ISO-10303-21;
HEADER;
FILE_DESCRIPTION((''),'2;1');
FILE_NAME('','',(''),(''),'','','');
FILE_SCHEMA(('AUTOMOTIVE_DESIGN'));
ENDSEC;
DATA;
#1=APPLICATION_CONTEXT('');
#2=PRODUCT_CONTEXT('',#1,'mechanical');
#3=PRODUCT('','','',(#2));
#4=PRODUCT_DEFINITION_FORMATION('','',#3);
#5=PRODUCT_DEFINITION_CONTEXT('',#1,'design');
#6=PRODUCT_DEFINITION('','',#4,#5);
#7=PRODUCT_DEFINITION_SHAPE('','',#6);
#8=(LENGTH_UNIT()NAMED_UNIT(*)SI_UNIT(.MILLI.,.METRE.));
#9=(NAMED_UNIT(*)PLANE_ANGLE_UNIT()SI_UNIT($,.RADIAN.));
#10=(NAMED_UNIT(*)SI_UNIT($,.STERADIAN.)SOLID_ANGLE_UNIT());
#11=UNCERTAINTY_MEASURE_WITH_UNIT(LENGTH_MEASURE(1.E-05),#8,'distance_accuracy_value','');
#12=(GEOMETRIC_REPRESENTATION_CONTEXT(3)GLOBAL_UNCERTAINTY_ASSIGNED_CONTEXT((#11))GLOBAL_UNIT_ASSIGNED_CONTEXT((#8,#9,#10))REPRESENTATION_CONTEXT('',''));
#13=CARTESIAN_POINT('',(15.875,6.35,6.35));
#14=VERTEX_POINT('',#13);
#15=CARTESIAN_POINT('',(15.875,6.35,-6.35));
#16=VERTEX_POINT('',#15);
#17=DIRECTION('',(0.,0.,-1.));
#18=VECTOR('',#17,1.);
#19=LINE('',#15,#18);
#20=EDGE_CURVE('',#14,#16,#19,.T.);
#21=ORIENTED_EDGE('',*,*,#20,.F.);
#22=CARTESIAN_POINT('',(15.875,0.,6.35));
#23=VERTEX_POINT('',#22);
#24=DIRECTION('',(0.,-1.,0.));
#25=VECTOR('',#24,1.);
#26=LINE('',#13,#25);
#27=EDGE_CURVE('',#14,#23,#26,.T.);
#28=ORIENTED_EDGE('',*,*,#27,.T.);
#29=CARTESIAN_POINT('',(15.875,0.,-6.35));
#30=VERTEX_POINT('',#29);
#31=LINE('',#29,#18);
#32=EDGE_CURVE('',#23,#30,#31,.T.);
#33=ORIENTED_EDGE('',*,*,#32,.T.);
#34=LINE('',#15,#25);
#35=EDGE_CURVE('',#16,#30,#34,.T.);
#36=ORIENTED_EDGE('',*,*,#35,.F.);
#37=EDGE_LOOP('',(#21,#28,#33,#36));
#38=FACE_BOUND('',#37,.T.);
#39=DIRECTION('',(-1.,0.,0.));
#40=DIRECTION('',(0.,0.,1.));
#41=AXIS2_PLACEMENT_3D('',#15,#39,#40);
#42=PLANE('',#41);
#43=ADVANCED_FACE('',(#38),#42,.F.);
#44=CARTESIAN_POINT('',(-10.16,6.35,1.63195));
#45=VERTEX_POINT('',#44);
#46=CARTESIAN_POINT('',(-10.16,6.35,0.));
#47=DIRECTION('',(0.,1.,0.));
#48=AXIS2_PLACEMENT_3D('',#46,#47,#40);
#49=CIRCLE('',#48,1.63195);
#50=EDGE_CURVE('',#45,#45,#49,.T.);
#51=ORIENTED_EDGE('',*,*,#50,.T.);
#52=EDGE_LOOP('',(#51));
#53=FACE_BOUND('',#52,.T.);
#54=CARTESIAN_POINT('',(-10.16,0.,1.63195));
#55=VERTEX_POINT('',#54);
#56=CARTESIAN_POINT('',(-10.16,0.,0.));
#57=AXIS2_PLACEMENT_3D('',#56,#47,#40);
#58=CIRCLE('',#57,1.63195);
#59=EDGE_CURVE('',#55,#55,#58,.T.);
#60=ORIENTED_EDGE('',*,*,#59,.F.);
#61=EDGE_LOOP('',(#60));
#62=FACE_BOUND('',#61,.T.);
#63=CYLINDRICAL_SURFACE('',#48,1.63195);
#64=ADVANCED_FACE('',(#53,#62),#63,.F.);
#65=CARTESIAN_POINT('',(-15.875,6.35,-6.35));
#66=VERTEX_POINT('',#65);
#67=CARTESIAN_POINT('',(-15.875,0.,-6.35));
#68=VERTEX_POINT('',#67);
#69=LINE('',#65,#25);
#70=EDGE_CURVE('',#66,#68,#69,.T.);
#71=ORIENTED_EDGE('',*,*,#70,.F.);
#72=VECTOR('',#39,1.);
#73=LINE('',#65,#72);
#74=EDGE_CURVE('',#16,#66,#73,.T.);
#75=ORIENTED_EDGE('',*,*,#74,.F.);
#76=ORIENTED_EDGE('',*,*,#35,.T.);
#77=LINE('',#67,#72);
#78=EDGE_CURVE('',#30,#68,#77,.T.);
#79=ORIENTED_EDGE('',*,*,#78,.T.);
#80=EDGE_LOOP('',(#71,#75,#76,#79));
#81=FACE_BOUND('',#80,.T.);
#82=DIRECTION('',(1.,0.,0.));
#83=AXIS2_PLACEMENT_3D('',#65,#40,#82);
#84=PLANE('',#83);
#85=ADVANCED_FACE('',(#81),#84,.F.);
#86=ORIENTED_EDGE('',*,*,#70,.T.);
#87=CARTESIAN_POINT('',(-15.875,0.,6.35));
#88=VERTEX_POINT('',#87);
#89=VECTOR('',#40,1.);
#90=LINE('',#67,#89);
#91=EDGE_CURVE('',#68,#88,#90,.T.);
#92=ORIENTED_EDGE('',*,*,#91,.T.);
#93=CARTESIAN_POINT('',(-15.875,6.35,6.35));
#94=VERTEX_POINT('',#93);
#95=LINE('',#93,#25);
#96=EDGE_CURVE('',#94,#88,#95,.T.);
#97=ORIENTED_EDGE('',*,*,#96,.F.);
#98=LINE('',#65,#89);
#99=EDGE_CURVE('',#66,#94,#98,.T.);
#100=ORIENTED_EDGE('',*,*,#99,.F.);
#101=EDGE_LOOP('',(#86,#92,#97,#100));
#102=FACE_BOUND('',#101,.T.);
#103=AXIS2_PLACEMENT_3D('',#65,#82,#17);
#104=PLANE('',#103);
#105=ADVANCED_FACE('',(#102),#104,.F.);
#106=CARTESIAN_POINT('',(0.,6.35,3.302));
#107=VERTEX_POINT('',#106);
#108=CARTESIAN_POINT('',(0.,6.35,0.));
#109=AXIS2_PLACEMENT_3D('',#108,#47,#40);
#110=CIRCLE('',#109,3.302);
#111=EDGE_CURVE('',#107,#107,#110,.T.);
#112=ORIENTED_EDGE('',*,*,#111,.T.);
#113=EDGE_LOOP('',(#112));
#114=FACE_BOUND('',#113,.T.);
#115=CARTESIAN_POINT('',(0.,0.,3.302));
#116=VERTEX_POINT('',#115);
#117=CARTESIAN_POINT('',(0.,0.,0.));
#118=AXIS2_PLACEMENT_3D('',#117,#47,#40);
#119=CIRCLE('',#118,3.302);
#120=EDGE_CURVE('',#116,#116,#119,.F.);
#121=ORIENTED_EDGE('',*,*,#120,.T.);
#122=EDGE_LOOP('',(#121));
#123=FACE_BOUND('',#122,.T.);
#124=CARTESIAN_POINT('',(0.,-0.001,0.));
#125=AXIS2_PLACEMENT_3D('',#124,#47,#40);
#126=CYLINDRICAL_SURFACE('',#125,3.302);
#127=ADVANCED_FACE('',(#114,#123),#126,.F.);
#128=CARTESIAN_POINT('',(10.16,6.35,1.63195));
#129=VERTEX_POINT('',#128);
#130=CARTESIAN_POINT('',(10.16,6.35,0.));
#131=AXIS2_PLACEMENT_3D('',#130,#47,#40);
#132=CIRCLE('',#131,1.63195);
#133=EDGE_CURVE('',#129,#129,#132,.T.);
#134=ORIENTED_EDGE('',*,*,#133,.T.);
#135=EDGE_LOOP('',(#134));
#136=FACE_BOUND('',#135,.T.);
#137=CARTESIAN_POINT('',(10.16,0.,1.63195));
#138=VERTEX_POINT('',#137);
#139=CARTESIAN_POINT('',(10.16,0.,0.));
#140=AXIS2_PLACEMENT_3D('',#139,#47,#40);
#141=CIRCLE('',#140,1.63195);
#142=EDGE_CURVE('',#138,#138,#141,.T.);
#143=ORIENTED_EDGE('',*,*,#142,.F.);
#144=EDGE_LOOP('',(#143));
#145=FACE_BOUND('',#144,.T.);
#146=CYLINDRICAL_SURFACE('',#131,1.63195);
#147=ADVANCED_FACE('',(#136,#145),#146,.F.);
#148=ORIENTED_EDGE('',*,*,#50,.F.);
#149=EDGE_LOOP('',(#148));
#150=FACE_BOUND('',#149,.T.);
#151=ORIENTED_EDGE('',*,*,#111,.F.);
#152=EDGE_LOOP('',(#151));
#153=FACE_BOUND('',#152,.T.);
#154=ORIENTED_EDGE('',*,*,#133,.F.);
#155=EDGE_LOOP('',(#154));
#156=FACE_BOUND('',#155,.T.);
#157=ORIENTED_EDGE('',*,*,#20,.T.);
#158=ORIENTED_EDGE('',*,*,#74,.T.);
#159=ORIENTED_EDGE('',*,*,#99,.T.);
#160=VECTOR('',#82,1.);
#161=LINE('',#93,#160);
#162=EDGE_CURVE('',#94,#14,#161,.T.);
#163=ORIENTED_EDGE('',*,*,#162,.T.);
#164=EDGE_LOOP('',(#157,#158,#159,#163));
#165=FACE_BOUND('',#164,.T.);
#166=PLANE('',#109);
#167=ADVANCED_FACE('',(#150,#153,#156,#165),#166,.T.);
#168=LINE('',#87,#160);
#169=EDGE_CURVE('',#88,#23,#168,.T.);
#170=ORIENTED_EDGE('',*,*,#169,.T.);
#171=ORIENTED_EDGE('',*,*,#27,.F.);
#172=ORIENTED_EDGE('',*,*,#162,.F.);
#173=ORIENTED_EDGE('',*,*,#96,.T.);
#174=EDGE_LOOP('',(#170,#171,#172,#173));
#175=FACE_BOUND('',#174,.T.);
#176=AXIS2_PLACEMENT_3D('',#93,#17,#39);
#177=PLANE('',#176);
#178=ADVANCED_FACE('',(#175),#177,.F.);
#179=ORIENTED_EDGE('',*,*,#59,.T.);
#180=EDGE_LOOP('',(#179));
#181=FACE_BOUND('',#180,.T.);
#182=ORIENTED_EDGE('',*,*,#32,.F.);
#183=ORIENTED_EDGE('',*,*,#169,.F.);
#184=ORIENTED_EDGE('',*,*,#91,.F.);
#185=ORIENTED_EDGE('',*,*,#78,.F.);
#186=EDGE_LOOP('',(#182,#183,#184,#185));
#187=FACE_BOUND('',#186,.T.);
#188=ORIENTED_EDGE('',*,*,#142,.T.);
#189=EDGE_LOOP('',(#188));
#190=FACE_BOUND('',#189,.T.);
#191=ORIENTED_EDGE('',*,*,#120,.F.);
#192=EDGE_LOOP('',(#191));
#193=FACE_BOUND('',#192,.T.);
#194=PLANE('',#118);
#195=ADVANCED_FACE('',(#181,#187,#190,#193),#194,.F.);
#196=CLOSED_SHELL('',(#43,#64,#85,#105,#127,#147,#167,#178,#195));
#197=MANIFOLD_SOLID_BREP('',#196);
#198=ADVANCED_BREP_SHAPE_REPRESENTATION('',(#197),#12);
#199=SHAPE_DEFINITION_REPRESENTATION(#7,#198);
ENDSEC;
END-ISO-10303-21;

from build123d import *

# Parameters (mm, degrees)
SKETCH1_W             = 31.75
SKETCH1_H             = 12.7
BOSS_EXTRUDE1_DEPTH   = 6.35
CUT_EXTRUDE1_REACH    = 20.239
SKETCH2_R             = 3.302
F_4_CLEARANCE_HOLE1_D = 3.2639


with BuildPart() as part:
    # Sketch1 → Boss-Extrude1 (new body)
    with BuildSketch(Plane(origin=(0, 0, 0), x_dir=(1, 0, 0), z_dir=(0, 1, 0))):
        Rectangle(SKETCH1_W, SKETCH1_H)
    extrude(amount=BOSS_EXTRUDE1_DEPTH)

    # Sketch2 → Cut-Extrude1 (cut, up to next)
    with BuildSketch(Plane(origin=(0, 6.35, 0), x_dir=(1, 0, 0), z_dir=(0, 1, 0)), mode=Mode.PRIVATE) as cut_extrude1_sk1:
        with Locations(Location((0, 0, 0), (0, 0, 270))):
            Circle(SKETCH2_R)
    cut_extrude1_tool1 = extrude(cut_extrude1_sk1.sketch, amount=-CUT_EXTRUDE1_REACH, mode=Mode.PRIVATE) & part.part
    add(cut_extrude1_tool1.solids().sort_by_distance((0, 6.35, 0))[0], mode=Mode.SUBTRACT)

    # #4 Clearance Hole1 (through all)
    with Locations(Plane(origin=(0, 6.35, 0), x_dir=(1, 0, 0), z_dir=(0, 1, 0))):
        with Locations((-10.16, 0)):
            f_4_clearance_hole1 = Hole(F_4_CLEARANCE_HOLE1_D / 2)

    # Mirror1: #4 Clearance Hole1 across plane
    add(f_4_clearance_hole1.mirror(Plane(origin=(0, 0, 0), x_dir=(0, 0, 1), z_dir=(1, 0, 0))), mode=Mode.SUBTRACT)


solid = part.part
